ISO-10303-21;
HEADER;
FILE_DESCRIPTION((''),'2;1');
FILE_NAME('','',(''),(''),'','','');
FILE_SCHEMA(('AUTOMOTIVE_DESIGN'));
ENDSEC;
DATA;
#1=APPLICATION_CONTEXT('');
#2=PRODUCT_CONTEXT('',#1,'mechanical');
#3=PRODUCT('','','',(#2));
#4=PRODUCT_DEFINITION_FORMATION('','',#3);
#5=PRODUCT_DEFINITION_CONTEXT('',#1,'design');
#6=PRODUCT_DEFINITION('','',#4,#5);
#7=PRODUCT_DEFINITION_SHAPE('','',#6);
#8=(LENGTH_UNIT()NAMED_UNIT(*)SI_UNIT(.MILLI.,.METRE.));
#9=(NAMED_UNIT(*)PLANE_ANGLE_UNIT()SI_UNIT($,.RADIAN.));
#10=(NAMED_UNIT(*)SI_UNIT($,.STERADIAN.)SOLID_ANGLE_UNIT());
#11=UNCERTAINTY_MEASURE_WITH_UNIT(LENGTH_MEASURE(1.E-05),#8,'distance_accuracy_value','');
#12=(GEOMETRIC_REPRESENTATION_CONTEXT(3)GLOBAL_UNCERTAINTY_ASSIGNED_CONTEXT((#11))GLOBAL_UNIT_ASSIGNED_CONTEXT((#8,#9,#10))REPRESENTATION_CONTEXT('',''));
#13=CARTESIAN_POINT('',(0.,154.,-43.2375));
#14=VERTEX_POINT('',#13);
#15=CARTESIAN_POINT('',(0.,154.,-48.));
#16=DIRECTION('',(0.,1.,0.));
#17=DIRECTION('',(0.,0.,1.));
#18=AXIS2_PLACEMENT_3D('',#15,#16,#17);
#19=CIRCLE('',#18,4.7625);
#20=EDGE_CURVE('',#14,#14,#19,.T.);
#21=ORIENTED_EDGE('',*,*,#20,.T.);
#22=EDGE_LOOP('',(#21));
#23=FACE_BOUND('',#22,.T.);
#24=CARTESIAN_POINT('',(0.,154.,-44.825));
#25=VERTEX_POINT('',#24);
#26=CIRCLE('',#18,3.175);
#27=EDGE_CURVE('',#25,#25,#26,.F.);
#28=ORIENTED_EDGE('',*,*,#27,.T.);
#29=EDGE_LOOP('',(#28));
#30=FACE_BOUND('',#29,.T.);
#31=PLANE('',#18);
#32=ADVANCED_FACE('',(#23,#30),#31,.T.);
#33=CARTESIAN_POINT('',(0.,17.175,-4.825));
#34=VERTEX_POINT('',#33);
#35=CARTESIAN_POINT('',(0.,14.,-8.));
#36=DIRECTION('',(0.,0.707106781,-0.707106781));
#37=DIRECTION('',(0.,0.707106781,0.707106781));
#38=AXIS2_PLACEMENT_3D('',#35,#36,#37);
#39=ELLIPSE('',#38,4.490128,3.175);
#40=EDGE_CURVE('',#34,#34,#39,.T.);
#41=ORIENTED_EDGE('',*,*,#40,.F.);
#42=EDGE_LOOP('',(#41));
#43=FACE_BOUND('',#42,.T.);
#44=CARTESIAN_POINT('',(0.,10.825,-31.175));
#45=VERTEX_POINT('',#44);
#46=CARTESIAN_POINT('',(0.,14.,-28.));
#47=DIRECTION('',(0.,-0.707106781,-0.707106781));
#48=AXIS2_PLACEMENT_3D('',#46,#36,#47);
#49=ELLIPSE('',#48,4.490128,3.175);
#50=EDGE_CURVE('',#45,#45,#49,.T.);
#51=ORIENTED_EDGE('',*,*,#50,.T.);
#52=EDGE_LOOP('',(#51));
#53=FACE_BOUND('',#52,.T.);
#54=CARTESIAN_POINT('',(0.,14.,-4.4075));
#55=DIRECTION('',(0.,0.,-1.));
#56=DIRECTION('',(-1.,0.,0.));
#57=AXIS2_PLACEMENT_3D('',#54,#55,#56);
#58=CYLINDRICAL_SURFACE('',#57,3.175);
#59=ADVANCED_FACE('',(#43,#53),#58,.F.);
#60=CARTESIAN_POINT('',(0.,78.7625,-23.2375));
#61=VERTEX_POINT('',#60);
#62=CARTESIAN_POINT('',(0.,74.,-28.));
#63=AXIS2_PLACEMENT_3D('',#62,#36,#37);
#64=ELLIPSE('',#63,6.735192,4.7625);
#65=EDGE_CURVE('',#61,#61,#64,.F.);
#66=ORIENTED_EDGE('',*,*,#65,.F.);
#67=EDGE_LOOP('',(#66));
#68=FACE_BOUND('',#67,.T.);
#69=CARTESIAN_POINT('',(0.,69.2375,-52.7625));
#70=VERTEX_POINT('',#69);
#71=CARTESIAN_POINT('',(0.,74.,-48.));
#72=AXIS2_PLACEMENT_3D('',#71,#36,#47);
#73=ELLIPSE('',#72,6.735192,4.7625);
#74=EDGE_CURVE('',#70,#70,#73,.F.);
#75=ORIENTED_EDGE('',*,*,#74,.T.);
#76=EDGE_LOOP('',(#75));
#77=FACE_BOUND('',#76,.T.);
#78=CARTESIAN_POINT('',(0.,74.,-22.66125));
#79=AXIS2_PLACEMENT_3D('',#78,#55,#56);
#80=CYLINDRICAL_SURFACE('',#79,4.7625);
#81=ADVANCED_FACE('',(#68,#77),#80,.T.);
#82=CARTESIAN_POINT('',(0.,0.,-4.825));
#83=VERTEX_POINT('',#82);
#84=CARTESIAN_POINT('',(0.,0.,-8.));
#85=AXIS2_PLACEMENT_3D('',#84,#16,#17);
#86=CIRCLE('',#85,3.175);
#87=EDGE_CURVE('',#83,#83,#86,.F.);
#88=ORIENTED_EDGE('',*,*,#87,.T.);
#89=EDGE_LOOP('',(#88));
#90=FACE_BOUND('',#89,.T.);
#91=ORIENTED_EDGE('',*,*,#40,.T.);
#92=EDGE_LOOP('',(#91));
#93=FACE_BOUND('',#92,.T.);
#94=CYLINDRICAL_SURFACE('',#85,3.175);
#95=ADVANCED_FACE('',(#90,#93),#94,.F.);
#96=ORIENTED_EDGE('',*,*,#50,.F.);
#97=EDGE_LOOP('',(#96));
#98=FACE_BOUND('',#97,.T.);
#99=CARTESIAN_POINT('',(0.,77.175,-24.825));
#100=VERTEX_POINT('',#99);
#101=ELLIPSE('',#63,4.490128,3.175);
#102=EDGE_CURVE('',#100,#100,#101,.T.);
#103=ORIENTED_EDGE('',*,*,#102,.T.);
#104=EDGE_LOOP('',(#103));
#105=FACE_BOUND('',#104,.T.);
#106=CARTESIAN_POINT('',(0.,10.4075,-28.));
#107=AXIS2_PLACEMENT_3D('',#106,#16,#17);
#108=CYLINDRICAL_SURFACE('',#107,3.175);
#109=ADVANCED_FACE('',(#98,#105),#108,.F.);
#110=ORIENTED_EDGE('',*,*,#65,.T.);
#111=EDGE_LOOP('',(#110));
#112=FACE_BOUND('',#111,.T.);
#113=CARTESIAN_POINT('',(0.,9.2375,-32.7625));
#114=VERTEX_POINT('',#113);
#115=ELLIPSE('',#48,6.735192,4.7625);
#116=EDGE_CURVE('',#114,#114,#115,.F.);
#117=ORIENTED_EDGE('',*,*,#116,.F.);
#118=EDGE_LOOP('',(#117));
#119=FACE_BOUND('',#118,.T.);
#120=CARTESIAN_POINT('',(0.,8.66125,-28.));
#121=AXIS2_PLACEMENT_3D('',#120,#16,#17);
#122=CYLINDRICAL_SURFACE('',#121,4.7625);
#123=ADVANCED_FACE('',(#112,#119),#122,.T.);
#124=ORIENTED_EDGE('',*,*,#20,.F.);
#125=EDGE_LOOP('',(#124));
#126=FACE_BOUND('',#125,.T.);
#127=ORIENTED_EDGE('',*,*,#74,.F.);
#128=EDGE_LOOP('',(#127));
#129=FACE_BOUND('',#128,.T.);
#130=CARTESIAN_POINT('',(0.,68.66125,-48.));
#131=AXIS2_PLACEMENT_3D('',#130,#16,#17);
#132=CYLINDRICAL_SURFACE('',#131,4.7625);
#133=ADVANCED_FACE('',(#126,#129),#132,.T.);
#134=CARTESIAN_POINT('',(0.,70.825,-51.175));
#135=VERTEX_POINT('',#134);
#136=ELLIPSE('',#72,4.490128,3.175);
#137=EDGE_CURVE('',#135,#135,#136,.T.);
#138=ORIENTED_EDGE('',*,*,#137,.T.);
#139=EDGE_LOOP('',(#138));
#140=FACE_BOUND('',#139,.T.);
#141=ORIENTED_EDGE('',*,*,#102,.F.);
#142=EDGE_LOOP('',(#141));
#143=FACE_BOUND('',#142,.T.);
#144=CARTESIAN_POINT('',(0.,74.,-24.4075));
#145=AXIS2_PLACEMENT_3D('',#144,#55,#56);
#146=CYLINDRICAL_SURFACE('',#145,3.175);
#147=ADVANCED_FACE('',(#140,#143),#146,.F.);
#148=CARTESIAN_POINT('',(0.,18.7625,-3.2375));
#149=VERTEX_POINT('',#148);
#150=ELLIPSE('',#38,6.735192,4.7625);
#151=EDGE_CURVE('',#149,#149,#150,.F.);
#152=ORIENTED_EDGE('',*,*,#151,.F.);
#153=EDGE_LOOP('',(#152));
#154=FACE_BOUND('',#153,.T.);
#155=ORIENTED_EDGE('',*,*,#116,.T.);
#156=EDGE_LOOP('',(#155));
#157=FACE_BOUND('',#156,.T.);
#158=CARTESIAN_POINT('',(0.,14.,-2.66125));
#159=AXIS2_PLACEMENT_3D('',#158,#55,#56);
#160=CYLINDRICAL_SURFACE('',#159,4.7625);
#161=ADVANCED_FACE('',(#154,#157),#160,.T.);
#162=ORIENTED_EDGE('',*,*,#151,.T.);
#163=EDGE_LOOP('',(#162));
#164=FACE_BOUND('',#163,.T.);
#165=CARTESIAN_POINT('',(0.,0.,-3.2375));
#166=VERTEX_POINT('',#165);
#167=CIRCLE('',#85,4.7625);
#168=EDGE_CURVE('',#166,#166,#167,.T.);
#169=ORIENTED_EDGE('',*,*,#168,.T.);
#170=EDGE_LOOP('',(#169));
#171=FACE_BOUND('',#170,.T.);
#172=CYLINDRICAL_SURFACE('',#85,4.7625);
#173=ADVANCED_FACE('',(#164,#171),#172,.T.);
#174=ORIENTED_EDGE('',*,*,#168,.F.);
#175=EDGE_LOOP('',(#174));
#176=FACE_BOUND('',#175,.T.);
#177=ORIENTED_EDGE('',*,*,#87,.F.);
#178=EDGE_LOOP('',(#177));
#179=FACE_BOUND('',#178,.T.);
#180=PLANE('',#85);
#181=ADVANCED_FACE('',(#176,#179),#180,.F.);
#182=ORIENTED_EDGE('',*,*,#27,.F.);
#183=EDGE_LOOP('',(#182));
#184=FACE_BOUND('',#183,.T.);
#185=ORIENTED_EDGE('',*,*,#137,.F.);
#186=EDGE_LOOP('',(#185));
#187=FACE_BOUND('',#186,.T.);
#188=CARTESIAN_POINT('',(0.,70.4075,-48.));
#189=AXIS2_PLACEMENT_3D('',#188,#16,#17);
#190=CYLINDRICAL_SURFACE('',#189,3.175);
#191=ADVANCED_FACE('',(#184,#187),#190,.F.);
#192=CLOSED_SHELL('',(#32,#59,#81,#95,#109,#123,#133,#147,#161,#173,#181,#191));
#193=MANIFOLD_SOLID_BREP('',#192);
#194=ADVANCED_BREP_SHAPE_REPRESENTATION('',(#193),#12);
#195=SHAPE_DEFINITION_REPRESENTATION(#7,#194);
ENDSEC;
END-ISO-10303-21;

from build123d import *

# Parameters (mm, degrees)
SKETCH2_R   = 4.7625
SKETCH2_R_2 = 3.175


with BuildPart() as part:
    # Sweep2: sweep along a path in Sketch4
    with BuildLine(Plane(origin=(0, 0, 0), x_dir=(0, 0, -1), z_dir=(1, 0, 0))) as sweep2_path:
        Line((8, 0), (8, 14))
        Line((8, 14), (28, 14))
        Line((28, 14), (28, 74))
        Line((28, 74), (48, 74))
        Line((48, 74), (48, 154))
    # Sketch2 → Sweep2 (sweep)
    with BuildSketch(Plane(origin=(0, 0, 0), x_dir=(1, 0, 0), z_dir=(0, 1, 0))):
        with Locations((0, 8)):
            Circle(SKETCH2_R)
        with Locations((0, 8)):
            Circle(SKETCH2_R_2, mode=Mode.SUBTRACT)
    sweep(path=sweep2_path.line, transition=Transition.RIGHT)


solid = part.part
